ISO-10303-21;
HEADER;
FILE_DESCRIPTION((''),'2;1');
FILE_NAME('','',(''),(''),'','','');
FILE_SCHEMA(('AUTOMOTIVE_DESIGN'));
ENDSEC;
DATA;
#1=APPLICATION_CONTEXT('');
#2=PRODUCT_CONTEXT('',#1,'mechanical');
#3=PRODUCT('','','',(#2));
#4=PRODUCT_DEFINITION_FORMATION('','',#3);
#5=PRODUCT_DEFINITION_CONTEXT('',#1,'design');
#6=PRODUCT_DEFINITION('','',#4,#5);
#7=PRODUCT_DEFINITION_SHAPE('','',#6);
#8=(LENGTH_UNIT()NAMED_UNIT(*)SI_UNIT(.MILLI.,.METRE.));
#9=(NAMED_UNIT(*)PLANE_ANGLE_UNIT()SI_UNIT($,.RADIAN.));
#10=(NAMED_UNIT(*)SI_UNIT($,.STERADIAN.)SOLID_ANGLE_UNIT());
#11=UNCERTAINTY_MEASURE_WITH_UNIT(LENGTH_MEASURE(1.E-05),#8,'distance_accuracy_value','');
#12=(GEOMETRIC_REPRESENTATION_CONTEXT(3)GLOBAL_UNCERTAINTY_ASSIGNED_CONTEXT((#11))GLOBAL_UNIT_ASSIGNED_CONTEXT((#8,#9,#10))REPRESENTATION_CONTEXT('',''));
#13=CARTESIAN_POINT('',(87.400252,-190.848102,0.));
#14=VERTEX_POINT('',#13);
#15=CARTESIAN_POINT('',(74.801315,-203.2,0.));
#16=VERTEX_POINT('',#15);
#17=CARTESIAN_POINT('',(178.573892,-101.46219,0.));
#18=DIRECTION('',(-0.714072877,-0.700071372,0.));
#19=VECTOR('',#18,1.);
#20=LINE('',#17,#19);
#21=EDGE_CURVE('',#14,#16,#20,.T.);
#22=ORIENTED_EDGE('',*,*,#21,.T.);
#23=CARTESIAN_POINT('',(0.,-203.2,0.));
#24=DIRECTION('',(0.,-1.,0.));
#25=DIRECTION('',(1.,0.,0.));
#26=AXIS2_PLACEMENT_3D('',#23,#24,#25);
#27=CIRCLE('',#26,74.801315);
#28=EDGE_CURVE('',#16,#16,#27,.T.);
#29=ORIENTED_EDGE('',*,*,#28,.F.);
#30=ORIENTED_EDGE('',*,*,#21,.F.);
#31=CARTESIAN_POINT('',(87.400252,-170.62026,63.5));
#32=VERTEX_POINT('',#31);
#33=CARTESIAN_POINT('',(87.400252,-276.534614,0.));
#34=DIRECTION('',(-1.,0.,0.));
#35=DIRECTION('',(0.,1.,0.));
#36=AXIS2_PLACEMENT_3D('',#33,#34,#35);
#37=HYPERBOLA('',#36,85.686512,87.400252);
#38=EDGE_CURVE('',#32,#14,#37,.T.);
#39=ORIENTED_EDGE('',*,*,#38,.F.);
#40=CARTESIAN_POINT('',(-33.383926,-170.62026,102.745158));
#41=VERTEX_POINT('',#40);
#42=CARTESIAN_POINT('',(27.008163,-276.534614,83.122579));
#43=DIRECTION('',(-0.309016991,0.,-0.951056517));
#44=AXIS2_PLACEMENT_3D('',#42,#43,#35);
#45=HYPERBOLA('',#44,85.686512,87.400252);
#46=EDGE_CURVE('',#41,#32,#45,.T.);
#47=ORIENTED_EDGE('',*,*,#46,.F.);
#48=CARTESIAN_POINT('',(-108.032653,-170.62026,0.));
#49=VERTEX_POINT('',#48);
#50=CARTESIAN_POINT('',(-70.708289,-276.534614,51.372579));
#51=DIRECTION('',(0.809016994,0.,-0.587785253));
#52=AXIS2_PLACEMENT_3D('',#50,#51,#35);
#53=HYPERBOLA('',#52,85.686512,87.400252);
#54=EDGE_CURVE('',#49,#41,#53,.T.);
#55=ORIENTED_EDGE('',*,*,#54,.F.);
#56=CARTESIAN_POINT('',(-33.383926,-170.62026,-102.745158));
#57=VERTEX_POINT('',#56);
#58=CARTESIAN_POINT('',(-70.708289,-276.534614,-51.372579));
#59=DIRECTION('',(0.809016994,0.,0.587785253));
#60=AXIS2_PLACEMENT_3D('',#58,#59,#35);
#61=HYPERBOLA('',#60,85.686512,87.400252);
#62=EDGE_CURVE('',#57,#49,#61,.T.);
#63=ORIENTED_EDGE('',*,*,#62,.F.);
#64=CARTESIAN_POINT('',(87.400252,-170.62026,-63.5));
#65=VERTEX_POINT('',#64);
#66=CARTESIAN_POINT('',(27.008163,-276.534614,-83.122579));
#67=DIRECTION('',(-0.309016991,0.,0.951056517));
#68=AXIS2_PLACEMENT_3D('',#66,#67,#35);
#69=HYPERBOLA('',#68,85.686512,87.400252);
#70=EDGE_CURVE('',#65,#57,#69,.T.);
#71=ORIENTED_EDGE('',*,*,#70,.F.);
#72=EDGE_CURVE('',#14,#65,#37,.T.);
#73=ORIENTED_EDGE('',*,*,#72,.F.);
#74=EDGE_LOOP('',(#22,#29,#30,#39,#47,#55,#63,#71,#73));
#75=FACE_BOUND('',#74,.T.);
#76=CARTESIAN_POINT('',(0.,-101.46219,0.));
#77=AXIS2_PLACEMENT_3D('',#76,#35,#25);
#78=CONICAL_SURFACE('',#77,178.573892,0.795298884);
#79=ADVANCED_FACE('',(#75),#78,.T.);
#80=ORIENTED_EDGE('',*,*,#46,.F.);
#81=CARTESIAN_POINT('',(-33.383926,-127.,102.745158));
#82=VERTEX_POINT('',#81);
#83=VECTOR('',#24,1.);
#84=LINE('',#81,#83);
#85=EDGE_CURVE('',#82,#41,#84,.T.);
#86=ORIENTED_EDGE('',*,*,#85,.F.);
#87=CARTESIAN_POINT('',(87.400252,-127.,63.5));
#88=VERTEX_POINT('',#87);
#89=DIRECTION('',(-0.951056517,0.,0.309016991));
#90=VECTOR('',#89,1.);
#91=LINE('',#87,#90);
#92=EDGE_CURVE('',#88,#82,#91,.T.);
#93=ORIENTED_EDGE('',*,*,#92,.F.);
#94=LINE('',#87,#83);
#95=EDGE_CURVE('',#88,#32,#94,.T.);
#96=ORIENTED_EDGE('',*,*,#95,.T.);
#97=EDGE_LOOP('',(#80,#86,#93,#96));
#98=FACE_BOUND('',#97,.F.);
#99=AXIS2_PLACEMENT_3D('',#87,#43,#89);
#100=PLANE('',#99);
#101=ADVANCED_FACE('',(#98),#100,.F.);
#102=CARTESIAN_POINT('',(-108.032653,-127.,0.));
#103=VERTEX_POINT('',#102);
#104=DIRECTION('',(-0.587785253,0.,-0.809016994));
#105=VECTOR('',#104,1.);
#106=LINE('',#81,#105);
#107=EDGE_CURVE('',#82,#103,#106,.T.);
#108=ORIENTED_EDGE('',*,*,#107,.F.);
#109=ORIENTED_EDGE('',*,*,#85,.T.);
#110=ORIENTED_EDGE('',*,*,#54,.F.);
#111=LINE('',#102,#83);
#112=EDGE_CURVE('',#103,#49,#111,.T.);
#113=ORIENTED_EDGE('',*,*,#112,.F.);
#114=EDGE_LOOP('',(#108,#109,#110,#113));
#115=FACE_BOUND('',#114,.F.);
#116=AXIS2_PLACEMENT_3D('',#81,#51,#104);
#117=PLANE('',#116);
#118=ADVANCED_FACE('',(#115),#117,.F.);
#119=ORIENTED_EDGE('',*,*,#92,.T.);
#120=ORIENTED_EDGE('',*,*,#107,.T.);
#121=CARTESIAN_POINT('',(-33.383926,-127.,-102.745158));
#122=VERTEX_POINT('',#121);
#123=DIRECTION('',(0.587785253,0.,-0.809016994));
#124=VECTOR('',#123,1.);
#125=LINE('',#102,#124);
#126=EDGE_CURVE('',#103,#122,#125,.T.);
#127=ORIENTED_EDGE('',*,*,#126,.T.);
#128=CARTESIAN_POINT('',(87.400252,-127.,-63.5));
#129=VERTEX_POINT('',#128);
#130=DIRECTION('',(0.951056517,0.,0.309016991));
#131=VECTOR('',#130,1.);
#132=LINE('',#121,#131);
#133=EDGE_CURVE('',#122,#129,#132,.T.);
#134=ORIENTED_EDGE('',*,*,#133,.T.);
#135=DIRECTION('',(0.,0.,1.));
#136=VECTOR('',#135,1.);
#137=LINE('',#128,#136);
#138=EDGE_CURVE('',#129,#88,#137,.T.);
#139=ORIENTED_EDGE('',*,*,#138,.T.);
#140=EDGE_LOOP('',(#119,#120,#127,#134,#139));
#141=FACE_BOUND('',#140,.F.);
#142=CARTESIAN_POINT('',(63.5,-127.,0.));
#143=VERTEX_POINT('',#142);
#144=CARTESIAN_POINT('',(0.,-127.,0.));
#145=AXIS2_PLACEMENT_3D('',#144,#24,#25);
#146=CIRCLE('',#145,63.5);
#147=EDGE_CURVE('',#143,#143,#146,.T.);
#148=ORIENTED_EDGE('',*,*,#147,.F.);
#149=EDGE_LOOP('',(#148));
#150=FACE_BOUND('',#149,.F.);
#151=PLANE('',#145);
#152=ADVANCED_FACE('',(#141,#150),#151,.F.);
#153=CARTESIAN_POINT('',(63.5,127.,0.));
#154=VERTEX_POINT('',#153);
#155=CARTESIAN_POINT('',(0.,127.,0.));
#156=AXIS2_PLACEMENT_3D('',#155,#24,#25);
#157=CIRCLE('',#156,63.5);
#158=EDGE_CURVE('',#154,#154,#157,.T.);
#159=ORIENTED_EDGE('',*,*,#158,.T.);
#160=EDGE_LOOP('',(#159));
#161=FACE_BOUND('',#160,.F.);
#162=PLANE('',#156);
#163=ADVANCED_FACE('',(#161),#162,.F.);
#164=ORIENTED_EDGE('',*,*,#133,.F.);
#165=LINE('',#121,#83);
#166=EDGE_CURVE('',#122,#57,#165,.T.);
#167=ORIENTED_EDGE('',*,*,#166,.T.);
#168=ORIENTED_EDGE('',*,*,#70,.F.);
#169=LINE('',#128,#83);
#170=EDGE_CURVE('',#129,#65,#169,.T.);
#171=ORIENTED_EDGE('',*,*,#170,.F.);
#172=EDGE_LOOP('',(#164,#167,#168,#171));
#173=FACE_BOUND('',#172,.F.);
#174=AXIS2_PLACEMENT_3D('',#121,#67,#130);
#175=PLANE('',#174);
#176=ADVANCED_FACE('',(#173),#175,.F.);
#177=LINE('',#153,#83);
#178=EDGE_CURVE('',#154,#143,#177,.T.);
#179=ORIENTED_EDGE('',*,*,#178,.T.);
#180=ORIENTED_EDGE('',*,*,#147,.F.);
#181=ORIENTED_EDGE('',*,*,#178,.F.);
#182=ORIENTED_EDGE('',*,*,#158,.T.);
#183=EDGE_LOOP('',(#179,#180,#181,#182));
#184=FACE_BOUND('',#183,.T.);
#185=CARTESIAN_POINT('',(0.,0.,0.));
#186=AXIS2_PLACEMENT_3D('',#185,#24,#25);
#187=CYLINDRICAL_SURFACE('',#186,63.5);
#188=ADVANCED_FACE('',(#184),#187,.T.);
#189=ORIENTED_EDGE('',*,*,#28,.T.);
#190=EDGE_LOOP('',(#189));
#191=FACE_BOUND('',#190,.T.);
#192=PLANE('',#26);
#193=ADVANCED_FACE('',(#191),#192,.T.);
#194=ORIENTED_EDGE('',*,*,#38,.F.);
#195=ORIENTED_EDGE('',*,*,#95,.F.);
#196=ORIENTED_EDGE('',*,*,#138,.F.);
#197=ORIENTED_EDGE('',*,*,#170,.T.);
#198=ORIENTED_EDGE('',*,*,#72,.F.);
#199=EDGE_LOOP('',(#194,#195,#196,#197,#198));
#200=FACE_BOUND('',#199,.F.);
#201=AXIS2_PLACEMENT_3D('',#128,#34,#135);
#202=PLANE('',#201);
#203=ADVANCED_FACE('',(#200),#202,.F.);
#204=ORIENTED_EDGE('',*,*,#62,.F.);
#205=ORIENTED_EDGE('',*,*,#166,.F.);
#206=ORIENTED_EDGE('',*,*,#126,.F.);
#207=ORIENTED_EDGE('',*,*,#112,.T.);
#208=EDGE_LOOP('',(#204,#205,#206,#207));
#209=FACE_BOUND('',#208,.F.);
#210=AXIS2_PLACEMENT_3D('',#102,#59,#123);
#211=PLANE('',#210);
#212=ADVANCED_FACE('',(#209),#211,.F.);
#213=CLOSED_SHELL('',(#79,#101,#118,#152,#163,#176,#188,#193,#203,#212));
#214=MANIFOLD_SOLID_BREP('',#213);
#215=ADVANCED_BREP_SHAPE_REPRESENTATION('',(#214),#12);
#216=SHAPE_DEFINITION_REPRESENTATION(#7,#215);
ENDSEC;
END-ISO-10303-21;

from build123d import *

# Parameters (mm, degrees)
F0_R     = 63.5
F1_DEPTH = 127
F3_DEPTH = 76.2


with BuildPart() as f1:
    # F0 (on Front) → F1 (new body, symmetric)
    with BuildSketch(Plane.XZ):
        Circle(F0_R)
    extrude(amount=F1_DEPTH, both=True)

    # F2 (on face) → F3 (join)
    with BuildSketch(Plane.XZ.offset(127)):
        Polygon((87.400252, -63.5), (87.400252, 63.5), (-33.383926, 102.745158), (-108.032653, 0), (-33.383926, -102.745158), align=None)
    extrude(amount=F3_DEPTH)

    # F4 (on Top) → F5 (revolve, cut)
    with BuildSketch(Plane.XY):
        Polygon((178.573892, -101.46219), (66.709772, -211.132884), (178.573892, -339.390486), align=None)
    revolve(axis=Axis((0, -117.441341, 0), (0, -1, 0)), mode=Mode.SUBTRACT)


solid = f1.part
